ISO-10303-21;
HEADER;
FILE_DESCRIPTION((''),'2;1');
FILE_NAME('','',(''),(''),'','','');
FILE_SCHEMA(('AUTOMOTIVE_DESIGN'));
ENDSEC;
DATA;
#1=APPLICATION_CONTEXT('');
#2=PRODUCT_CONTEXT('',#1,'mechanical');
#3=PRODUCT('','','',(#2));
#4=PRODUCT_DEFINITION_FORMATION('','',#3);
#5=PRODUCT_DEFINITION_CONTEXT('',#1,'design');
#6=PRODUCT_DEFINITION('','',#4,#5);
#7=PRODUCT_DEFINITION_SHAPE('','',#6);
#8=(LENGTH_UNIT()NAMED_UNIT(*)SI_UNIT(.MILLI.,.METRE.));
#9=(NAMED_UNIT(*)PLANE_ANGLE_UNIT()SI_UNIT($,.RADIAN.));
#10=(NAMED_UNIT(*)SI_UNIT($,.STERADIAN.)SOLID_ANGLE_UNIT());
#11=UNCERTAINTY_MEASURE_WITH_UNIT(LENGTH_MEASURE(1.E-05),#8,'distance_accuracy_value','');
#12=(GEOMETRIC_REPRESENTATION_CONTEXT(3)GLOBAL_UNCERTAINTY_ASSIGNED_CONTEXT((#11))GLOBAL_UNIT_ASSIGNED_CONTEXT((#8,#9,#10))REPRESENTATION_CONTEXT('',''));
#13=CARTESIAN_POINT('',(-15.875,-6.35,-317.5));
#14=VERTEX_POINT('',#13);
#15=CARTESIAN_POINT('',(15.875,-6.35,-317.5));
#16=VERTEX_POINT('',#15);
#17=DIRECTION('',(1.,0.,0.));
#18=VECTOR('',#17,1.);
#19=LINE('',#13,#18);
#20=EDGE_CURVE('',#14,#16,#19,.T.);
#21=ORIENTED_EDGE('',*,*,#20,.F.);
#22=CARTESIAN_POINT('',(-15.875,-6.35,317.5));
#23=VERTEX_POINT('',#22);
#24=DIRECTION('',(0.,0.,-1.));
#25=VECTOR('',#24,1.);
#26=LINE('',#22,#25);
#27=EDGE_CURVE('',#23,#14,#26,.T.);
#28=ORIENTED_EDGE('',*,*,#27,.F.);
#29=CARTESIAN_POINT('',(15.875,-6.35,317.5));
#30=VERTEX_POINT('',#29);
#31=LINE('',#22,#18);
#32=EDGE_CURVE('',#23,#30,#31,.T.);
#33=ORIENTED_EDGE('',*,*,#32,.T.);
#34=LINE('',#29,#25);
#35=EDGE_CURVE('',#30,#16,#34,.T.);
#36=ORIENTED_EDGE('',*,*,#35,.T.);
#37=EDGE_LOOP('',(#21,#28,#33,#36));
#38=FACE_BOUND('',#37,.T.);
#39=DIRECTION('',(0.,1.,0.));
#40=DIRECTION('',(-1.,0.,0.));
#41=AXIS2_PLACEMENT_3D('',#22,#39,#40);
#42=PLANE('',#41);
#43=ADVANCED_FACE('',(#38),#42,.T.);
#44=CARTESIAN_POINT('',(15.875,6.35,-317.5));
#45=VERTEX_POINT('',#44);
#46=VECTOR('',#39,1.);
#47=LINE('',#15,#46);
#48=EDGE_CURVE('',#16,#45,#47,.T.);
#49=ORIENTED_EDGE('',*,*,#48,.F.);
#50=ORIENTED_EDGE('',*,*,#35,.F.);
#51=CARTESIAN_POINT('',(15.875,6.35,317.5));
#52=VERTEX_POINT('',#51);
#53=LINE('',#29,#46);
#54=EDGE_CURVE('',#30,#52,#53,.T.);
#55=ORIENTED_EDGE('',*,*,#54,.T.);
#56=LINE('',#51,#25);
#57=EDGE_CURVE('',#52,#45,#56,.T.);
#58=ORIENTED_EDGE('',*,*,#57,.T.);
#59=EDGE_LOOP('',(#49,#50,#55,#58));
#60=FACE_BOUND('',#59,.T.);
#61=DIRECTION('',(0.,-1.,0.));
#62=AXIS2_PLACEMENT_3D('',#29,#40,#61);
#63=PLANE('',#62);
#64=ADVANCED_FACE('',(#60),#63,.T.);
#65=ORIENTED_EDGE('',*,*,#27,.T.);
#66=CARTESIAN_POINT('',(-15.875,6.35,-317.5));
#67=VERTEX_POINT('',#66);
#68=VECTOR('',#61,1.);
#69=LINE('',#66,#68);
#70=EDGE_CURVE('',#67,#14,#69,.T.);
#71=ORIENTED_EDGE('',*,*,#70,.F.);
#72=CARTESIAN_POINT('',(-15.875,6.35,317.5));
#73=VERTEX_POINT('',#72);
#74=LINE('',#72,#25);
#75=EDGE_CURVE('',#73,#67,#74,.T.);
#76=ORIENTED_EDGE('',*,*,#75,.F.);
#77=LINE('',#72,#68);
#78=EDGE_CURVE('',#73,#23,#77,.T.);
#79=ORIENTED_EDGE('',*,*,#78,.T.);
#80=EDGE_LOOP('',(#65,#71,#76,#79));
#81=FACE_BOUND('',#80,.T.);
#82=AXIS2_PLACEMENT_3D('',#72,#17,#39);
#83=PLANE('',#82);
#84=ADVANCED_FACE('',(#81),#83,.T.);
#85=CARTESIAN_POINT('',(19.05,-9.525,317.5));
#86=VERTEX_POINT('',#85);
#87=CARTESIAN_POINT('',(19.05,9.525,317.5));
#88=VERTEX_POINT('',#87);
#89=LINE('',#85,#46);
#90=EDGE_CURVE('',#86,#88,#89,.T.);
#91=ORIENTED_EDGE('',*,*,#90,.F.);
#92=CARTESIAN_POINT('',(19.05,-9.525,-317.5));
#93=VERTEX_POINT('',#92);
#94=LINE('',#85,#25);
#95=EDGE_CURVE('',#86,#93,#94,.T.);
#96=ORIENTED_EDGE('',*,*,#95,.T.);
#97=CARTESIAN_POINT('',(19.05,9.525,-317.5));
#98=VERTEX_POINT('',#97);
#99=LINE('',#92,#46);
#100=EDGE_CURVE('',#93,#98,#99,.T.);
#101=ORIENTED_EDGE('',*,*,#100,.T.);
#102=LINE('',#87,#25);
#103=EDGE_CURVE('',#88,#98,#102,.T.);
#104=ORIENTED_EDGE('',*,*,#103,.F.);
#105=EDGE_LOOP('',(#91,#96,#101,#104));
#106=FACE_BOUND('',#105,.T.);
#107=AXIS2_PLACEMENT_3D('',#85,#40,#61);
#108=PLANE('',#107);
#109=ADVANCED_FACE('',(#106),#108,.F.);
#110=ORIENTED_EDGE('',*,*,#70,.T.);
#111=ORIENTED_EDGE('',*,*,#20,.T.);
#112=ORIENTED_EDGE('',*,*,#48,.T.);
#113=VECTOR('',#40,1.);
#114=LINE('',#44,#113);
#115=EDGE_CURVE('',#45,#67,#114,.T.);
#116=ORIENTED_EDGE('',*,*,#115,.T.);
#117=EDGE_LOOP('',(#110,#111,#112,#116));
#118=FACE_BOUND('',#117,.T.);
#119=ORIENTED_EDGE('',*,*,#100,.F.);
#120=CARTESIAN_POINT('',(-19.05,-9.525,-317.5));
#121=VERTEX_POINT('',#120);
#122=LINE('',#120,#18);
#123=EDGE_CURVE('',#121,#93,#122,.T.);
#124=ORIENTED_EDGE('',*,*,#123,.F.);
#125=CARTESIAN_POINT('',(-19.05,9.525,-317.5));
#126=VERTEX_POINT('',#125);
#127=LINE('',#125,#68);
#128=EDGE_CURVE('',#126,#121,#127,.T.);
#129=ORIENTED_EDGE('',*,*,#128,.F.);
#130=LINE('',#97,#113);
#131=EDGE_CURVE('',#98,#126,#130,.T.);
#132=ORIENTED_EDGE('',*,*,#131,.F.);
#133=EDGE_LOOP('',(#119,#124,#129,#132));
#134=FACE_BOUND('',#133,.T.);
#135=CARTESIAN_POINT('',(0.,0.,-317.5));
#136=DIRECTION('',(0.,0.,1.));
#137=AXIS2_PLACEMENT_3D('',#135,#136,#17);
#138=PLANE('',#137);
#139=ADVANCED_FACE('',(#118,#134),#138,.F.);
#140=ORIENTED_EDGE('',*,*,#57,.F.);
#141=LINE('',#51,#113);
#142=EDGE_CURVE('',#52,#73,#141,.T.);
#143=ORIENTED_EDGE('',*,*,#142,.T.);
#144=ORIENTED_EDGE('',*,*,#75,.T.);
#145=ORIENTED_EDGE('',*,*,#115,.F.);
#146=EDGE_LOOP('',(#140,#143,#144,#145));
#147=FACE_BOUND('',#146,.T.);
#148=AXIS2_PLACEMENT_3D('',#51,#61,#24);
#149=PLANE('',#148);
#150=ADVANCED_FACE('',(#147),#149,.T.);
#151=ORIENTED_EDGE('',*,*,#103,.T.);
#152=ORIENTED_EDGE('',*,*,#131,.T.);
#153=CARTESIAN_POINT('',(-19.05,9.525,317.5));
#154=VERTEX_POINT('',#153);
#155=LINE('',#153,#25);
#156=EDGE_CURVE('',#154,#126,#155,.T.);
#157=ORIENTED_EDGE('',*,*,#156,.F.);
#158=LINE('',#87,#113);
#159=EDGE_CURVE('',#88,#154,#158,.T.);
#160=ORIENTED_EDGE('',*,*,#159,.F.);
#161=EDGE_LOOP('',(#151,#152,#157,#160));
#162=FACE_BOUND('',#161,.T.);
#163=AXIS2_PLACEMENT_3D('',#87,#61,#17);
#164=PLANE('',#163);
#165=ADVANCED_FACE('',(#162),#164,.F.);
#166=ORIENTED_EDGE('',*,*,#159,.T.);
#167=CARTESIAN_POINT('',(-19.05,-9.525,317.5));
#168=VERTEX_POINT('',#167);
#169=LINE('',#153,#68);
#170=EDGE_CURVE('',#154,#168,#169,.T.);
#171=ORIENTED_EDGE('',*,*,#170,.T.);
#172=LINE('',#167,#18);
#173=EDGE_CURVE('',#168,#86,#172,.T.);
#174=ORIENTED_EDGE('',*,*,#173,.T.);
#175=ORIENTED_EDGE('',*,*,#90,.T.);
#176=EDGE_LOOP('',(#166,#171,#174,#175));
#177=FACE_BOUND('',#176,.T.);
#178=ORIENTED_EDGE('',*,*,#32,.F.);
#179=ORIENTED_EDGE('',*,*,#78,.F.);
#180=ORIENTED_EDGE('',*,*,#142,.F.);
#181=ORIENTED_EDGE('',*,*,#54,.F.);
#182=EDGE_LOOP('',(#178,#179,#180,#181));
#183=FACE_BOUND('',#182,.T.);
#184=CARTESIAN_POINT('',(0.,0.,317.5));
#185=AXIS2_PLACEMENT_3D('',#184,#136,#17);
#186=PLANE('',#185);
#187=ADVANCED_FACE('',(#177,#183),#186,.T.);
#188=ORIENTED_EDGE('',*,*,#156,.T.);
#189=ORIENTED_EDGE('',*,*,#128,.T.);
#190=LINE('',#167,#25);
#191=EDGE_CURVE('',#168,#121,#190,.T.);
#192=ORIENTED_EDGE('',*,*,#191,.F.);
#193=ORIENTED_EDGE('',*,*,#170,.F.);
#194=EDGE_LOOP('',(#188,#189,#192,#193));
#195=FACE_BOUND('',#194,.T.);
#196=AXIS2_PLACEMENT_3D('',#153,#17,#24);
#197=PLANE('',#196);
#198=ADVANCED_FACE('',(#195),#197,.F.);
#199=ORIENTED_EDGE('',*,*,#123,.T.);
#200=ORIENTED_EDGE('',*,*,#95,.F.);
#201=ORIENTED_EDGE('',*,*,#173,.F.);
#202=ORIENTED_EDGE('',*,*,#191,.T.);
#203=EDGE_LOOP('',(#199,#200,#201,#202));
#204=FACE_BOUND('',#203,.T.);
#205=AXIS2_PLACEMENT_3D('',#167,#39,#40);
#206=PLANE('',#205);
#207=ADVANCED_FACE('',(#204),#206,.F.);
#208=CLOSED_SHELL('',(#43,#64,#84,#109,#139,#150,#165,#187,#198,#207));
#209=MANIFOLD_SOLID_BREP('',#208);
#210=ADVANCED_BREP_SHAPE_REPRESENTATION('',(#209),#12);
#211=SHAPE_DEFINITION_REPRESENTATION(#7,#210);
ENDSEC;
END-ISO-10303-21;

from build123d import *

# Parameters (mm, degrees)
BOSS_EXTRUDE1_DEPTH      = 317.5
BOSS_EXTRUDE1_DEPTH_BACK = 317.5
SKETCH3_W                = 38.1
SKETCH3_H                = 19.05
SKETCH3_W_2              = 31.75
SKETCH3_H_2              = 12.7


with BuildPart() as part:
    # Sketch3 → Boss-Extrude1 (new, two sides: drawn at the far end of the back side and taken through both)
    with BuildSketch(Plane.XY.offset(-BOSS_EXTRUDE1_DEPTH_BACK)):
        Rectangle(SKETCH3_W, SKETCH3_H)
        Rectangle(SKETCH3_W_2, SKETCH3_H_2, mode=Mode.SUBTRACT)
    extrude(amount=BOSS_EXTRUDE1_DEPTH + BOSS_EXTRUDE1_DEPTH_BACK)


solid = part.part
